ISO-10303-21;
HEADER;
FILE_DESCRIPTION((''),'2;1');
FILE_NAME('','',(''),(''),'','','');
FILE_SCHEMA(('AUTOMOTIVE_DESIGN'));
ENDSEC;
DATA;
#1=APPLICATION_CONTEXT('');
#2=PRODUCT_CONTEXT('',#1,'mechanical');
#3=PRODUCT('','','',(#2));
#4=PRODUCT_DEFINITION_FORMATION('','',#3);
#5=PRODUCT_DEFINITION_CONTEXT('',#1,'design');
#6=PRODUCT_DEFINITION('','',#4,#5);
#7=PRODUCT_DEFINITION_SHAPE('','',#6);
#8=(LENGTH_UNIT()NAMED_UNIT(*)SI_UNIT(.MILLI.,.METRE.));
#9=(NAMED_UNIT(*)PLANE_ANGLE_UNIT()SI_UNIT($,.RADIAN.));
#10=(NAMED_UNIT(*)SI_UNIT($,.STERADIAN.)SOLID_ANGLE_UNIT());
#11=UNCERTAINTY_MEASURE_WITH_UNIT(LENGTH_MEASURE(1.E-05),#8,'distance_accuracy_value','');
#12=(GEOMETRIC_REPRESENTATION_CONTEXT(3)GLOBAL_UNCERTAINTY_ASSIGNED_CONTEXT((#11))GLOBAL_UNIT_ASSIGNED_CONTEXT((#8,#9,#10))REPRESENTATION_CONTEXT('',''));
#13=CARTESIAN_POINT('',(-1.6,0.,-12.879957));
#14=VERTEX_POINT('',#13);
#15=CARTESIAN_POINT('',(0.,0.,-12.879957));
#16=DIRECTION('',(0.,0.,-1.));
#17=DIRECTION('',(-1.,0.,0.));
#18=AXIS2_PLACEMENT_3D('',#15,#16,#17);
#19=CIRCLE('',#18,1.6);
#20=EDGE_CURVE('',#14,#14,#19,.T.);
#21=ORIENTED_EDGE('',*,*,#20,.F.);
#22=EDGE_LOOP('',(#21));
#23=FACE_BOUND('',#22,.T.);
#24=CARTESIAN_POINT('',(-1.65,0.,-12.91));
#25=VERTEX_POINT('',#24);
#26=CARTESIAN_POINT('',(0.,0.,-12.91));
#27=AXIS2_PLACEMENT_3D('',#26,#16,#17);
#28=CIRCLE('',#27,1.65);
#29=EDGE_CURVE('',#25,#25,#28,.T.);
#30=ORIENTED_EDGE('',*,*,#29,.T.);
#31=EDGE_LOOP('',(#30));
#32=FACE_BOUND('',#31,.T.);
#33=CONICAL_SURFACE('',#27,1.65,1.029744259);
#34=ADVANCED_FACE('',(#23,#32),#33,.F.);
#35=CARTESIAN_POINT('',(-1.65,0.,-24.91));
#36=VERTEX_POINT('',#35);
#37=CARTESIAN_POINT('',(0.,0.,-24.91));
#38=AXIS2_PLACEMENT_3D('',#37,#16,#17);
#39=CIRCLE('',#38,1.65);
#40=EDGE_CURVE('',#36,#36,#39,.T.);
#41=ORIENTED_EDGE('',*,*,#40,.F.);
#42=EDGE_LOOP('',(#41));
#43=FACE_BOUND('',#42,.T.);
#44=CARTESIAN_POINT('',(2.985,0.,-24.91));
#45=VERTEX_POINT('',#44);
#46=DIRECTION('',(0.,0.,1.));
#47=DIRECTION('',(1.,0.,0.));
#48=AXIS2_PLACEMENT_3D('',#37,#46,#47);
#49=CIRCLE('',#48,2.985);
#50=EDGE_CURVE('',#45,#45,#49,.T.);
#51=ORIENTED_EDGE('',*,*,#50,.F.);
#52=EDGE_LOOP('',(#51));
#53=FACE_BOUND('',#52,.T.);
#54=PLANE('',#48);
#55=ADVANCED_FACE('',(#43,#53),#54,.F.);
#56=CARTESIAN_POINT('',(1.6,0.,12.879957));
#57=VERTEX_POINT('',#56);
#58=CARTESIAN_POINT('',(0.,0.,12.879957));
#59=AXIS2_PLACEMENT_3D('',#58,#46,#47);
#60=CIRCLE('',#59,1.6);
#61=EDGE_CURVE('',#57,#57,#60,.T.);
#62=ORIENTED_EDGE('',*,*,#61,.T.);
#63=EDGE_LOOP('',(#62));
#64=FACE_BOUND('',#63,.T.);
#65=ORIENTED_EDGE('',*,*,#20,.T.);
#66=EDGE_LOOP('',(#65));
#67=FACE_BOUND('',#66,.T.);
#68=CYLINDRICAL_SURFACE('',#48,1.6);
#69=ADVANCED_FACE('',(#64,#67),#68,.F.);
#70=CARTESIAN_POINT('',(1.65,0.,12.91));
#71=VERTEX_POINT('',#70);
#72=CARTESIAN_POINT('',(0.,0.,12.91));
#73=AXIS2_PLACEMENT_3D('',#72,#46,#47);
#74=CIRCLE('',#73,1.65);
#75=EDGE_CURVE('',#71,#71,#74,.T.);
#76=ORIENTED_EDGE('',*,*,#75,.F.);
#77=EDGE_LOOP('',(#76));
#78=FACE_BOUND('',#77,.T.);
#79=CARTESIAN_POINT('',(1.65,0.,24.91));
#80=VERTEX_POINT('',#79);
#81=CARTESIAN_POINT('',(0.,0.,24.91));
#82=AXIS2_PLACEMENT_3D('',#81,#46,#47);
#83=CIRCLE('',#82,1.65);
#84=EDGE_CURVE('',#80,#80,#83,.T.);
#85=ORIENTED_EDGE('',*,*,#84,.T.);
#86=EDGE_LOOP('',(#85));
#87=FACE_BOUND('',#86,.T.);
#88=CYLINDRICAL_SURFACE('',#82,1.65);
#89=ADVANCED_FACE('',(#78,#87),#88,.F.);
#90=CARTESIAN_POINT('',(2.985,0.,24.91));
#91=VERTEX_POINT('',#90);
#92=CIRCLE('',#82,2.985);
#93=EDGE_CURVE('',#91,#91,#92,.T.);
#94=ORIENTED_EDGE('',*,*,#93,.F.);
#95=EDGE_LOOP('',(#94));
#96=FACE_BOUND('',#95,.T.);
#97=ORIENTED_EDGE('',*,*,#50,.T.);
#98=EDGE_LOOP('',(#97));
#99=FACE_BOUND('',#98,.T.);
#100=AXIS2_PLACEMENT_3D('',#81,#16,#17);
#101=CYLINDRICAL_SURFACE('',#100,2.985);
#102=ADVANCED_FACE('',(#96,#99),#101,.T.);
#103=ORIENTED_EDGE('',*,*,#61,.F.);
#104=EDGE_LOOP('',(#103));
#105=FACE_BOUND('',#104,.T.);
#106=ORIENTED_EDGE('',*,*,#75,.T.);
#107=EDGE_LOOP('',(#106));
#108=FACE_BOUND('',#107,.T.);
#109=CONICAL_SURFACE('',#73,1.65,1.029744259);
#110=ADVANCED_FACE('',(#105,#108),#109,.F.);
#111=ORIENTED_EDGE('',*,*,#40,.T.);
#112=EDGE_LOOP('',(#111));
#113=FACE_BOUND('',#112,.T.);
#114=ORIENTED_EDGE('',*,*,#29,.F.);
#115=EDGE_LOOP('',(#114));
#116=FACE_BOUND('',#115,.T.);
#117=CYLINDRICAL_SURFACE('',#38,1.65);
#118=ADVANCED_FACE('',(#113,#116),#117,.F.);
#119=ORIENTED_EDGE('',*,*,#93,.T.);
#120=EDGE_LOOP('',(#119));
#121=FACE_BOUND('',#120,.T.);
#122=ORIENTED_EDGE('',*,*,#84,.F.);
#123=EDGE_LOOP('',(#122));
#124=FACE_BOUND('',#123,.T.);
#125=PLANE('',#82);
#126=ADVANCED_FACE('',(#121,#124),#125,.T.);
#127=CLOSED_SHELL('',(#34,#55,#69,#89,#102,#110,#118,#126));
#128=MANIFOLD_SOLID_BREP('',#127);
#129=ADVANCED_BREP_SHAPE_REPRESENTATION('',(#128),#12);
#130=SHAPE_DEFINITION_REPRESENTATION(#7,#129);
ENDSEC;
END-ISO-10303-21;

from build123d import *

# Parameters (mm, degrees)
SCHIZZO1_R                   = 2.985
ESTRUSIONE_ESTRUSIONE1_DEPTH = 24.91
SCHIZZO2_R                   = 1.6
TAGLIO_ESTRUSIONE1_DEPTH     = 50.998528478


with BuildPart() as part:
    # Schizzo1 → Estrusione-Estrusione1 (new, symmetric)
    with BuildSketch(Plane.XY):
        Circle(SCHIZZO1_R)
    extrude(amount=ESTRUSIONE_ESTRUSIONE1_DEPTH, both=True)

    # Schizzo2 → Taglio-Estrusione1 (cut, through all)
    with BuildSketch(Plane.XY.offset(24.91)):
        Circle(SCHIZZO2_R)
    extrude(amount=-TAGLIO_ESTRUSIONE1_DEPTH, mode=Mode.SUBTRACT)

    # Schizzo3 → Foro filettato M4x0.7-1 (revolve, cut)
    with BuildSketch(Plane(origin=(0, 0, 24.91), x_dir=(0, -1, 0), z_dir=(1, 0, 0))):
        Polygon((0, 0), (0, 12.991420021), (1.65, 12), (1.65, 0), align=None)
    foro_filettato_m4x0_7_1 = revolve(axis=Axis((0, 0, 31.26), (0, 0, -1)), mode=Mode.SUBTRACT)

    # Specchia1: Foro filettato M4x0.7-1 across plane
    add(foro_filettato_m4x0_7_1.mirror(Plane.XY), mode=Mode.SUBTRACT)


solid = part.part
